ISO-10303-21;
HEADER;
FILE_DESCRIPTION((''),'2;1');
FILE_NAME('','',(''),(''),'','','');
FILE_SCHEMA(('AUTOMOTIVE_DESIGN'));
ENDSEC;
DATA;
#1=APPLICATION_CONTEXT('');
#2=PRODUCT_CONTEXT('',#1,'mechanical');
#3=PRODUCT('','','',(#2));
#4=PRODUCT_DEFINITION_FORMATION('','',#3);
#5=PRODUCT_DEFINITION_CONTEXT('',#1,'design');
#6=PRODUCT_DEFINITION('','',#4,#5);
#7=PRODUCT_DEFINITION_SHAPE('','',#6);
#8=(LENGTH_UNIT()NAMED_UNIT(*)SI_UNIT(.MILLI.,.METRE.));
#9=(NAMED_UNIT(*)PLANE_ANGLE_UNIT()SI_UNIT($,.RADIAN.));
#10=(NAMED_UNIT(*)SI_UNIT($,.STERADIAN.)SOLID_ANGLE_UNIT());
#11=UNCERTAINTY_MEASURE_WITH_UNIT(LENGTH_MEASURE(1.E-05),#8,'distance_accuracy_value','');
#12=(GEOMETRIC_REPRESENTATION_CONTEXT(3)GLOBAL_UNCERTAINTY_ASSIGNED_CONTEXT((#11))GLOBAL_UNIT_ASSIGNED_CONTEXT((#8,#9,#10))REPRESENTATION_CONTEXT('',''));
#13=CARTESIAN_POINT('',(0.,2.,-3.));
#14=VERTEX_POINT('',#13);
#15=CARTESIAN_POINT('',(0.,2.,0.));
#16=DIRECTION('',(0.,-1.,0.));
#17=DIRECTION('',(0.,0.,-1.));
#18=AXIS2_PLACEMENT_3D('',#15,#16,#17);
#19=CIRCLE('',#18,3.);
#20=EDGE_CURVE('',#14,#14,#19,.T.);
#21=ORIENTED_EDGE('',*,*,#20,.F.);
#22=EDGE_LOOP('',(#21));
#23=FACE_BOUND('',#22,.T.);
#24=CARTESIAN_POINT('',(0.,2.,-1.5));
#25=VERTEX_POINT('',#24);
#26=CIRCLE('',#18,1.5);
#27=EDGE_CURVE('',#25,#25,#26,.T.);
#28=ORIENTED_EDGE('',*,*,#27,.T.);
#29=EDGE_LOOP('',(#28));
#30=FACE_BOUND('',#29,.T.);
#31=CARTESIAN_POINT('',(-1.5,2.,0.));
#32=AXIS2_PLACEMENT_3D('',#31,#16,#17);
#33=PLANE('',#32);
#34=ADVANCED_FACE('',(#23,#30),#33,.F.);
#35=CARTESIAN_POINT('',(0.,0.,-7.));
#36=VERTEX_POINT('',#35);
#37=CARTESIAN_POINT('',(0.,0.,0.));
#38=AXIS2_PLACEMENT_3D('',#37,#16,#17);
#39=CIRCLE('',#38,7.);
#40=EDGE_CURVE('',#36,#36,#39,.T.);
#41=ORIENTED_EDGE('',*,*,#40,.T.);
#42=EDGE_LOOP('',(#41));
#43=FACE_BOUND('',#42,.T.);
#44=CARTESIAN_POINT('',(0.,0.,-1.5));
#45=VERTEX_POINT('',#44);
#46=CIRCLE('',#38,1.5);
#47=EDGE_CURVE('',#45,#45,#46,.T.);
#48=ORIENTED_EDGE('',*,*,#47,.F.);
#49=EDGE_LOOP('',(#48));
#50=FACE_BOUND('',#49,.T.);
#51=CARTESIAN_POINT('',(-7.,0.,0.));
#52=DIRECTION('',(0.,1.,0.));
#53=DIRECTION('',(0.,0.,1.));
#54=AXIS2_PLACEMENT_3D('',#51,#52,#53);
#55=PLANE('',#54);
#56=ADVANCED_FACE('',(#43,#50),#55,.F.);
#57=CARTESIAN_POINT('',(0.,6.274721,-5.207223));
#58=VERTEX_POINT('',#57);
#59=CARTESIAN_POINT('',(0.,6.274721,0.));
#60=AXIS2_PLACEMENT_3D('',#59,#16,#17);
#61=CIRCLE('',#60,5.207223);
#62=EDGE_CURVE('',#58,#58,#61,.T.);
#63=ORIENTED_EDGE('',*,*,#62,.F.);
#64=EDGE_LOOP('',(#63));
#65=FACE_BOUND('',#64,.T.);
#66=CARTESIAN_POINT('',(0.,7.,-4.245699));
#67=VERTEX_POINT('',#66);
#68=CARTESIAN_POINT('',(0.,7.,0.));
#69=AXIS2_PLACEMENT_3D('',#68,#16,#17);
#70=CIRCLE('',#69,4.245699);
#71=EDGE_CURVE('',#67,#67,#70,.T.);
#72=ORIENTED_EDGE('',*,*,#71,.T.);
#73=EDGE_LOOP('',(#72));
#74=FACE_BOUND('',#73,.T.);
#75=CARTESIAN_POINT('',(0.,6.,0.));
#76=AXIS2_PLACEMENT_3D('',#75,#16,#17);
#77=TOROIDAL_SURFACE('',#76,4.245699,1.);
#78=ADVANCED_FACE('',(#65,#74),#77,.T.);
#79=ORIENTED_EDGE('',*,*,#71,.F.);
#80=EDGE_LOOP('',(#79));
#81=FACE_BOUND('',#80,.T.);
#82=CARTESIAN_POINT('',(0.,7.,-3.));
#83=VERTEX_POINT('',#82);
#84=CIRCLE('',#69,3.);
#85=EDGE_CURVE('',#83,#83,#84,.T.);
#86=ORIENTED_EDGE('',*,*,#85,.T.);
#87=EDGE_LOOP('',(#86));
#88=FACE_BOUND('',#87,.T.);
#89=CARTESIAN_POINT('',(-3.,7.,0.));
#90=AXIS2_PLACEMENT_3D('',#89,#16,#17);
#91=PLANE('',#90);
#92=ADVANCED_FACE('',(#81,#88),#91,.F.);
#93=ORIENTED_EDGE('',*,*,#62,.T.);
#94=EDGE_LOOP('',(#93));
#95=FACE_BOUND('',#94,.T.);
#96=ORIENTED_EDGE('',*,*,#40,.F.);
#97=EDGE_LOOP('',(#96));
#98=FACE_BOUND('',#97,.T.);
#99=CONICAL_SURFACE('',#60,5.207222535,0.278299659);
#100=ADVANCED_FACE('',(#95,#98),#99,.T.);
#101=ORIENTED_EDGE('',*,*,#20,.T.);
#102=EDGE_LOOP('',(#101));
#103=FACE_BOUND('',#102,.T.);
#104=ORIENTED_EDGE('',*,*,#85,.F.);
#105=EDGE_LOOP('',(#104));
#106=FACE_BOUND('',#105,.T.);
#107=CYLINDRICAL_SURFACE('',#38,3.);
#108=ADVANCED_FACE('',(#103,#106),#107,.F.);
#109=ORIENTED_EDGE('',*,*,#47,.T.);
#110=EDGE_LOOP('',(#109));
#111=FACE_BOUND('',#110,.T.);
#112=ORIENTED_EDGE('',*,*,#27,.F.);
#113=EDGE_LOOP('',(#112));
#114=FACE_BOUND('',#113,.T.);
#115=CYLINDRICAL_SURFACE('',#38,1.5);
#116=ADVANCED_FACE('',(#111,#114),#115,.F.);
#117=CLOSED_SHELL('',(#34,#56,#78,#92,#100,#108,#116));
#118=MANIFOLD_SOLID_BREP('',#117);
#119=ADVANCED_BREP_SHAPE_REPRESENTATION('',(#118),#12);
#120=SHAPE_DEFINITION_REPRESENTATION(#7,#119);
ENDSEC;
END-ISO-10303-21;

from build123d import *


with BuildPart() as part:
    # Croquis1 → Revolución1 (revolve)
    with BuildSketch(Plane.XY, mode=Mode.PRIVATE) as revoluci_n1_sk:
        with BuildLine():
            Line((-7, 0), (-1.5, 0))
            Line((-1.5, 0), (-1.5, 2))
            Line((-1.5, 2), (-3, 2))
            Line((-3, 2), (-3, 7))
            Line((-3, 7), (-4.245698587, 7))
            ThreePointArc((-4.245698587, 7), (-4.8478941, 6.798348648), (-5.207222535, 6.274721128))
            Line((-5.207222535, 6.274721128), (-7, 0))
        make_face()
    revolve(revoluci_n1_sk.sketch.rotate(Axis((0, 0, 0), (0, 1, 0)), 270), axis=Axis((0, 0, 0), (0, 1, 0)))


solid = part.part
